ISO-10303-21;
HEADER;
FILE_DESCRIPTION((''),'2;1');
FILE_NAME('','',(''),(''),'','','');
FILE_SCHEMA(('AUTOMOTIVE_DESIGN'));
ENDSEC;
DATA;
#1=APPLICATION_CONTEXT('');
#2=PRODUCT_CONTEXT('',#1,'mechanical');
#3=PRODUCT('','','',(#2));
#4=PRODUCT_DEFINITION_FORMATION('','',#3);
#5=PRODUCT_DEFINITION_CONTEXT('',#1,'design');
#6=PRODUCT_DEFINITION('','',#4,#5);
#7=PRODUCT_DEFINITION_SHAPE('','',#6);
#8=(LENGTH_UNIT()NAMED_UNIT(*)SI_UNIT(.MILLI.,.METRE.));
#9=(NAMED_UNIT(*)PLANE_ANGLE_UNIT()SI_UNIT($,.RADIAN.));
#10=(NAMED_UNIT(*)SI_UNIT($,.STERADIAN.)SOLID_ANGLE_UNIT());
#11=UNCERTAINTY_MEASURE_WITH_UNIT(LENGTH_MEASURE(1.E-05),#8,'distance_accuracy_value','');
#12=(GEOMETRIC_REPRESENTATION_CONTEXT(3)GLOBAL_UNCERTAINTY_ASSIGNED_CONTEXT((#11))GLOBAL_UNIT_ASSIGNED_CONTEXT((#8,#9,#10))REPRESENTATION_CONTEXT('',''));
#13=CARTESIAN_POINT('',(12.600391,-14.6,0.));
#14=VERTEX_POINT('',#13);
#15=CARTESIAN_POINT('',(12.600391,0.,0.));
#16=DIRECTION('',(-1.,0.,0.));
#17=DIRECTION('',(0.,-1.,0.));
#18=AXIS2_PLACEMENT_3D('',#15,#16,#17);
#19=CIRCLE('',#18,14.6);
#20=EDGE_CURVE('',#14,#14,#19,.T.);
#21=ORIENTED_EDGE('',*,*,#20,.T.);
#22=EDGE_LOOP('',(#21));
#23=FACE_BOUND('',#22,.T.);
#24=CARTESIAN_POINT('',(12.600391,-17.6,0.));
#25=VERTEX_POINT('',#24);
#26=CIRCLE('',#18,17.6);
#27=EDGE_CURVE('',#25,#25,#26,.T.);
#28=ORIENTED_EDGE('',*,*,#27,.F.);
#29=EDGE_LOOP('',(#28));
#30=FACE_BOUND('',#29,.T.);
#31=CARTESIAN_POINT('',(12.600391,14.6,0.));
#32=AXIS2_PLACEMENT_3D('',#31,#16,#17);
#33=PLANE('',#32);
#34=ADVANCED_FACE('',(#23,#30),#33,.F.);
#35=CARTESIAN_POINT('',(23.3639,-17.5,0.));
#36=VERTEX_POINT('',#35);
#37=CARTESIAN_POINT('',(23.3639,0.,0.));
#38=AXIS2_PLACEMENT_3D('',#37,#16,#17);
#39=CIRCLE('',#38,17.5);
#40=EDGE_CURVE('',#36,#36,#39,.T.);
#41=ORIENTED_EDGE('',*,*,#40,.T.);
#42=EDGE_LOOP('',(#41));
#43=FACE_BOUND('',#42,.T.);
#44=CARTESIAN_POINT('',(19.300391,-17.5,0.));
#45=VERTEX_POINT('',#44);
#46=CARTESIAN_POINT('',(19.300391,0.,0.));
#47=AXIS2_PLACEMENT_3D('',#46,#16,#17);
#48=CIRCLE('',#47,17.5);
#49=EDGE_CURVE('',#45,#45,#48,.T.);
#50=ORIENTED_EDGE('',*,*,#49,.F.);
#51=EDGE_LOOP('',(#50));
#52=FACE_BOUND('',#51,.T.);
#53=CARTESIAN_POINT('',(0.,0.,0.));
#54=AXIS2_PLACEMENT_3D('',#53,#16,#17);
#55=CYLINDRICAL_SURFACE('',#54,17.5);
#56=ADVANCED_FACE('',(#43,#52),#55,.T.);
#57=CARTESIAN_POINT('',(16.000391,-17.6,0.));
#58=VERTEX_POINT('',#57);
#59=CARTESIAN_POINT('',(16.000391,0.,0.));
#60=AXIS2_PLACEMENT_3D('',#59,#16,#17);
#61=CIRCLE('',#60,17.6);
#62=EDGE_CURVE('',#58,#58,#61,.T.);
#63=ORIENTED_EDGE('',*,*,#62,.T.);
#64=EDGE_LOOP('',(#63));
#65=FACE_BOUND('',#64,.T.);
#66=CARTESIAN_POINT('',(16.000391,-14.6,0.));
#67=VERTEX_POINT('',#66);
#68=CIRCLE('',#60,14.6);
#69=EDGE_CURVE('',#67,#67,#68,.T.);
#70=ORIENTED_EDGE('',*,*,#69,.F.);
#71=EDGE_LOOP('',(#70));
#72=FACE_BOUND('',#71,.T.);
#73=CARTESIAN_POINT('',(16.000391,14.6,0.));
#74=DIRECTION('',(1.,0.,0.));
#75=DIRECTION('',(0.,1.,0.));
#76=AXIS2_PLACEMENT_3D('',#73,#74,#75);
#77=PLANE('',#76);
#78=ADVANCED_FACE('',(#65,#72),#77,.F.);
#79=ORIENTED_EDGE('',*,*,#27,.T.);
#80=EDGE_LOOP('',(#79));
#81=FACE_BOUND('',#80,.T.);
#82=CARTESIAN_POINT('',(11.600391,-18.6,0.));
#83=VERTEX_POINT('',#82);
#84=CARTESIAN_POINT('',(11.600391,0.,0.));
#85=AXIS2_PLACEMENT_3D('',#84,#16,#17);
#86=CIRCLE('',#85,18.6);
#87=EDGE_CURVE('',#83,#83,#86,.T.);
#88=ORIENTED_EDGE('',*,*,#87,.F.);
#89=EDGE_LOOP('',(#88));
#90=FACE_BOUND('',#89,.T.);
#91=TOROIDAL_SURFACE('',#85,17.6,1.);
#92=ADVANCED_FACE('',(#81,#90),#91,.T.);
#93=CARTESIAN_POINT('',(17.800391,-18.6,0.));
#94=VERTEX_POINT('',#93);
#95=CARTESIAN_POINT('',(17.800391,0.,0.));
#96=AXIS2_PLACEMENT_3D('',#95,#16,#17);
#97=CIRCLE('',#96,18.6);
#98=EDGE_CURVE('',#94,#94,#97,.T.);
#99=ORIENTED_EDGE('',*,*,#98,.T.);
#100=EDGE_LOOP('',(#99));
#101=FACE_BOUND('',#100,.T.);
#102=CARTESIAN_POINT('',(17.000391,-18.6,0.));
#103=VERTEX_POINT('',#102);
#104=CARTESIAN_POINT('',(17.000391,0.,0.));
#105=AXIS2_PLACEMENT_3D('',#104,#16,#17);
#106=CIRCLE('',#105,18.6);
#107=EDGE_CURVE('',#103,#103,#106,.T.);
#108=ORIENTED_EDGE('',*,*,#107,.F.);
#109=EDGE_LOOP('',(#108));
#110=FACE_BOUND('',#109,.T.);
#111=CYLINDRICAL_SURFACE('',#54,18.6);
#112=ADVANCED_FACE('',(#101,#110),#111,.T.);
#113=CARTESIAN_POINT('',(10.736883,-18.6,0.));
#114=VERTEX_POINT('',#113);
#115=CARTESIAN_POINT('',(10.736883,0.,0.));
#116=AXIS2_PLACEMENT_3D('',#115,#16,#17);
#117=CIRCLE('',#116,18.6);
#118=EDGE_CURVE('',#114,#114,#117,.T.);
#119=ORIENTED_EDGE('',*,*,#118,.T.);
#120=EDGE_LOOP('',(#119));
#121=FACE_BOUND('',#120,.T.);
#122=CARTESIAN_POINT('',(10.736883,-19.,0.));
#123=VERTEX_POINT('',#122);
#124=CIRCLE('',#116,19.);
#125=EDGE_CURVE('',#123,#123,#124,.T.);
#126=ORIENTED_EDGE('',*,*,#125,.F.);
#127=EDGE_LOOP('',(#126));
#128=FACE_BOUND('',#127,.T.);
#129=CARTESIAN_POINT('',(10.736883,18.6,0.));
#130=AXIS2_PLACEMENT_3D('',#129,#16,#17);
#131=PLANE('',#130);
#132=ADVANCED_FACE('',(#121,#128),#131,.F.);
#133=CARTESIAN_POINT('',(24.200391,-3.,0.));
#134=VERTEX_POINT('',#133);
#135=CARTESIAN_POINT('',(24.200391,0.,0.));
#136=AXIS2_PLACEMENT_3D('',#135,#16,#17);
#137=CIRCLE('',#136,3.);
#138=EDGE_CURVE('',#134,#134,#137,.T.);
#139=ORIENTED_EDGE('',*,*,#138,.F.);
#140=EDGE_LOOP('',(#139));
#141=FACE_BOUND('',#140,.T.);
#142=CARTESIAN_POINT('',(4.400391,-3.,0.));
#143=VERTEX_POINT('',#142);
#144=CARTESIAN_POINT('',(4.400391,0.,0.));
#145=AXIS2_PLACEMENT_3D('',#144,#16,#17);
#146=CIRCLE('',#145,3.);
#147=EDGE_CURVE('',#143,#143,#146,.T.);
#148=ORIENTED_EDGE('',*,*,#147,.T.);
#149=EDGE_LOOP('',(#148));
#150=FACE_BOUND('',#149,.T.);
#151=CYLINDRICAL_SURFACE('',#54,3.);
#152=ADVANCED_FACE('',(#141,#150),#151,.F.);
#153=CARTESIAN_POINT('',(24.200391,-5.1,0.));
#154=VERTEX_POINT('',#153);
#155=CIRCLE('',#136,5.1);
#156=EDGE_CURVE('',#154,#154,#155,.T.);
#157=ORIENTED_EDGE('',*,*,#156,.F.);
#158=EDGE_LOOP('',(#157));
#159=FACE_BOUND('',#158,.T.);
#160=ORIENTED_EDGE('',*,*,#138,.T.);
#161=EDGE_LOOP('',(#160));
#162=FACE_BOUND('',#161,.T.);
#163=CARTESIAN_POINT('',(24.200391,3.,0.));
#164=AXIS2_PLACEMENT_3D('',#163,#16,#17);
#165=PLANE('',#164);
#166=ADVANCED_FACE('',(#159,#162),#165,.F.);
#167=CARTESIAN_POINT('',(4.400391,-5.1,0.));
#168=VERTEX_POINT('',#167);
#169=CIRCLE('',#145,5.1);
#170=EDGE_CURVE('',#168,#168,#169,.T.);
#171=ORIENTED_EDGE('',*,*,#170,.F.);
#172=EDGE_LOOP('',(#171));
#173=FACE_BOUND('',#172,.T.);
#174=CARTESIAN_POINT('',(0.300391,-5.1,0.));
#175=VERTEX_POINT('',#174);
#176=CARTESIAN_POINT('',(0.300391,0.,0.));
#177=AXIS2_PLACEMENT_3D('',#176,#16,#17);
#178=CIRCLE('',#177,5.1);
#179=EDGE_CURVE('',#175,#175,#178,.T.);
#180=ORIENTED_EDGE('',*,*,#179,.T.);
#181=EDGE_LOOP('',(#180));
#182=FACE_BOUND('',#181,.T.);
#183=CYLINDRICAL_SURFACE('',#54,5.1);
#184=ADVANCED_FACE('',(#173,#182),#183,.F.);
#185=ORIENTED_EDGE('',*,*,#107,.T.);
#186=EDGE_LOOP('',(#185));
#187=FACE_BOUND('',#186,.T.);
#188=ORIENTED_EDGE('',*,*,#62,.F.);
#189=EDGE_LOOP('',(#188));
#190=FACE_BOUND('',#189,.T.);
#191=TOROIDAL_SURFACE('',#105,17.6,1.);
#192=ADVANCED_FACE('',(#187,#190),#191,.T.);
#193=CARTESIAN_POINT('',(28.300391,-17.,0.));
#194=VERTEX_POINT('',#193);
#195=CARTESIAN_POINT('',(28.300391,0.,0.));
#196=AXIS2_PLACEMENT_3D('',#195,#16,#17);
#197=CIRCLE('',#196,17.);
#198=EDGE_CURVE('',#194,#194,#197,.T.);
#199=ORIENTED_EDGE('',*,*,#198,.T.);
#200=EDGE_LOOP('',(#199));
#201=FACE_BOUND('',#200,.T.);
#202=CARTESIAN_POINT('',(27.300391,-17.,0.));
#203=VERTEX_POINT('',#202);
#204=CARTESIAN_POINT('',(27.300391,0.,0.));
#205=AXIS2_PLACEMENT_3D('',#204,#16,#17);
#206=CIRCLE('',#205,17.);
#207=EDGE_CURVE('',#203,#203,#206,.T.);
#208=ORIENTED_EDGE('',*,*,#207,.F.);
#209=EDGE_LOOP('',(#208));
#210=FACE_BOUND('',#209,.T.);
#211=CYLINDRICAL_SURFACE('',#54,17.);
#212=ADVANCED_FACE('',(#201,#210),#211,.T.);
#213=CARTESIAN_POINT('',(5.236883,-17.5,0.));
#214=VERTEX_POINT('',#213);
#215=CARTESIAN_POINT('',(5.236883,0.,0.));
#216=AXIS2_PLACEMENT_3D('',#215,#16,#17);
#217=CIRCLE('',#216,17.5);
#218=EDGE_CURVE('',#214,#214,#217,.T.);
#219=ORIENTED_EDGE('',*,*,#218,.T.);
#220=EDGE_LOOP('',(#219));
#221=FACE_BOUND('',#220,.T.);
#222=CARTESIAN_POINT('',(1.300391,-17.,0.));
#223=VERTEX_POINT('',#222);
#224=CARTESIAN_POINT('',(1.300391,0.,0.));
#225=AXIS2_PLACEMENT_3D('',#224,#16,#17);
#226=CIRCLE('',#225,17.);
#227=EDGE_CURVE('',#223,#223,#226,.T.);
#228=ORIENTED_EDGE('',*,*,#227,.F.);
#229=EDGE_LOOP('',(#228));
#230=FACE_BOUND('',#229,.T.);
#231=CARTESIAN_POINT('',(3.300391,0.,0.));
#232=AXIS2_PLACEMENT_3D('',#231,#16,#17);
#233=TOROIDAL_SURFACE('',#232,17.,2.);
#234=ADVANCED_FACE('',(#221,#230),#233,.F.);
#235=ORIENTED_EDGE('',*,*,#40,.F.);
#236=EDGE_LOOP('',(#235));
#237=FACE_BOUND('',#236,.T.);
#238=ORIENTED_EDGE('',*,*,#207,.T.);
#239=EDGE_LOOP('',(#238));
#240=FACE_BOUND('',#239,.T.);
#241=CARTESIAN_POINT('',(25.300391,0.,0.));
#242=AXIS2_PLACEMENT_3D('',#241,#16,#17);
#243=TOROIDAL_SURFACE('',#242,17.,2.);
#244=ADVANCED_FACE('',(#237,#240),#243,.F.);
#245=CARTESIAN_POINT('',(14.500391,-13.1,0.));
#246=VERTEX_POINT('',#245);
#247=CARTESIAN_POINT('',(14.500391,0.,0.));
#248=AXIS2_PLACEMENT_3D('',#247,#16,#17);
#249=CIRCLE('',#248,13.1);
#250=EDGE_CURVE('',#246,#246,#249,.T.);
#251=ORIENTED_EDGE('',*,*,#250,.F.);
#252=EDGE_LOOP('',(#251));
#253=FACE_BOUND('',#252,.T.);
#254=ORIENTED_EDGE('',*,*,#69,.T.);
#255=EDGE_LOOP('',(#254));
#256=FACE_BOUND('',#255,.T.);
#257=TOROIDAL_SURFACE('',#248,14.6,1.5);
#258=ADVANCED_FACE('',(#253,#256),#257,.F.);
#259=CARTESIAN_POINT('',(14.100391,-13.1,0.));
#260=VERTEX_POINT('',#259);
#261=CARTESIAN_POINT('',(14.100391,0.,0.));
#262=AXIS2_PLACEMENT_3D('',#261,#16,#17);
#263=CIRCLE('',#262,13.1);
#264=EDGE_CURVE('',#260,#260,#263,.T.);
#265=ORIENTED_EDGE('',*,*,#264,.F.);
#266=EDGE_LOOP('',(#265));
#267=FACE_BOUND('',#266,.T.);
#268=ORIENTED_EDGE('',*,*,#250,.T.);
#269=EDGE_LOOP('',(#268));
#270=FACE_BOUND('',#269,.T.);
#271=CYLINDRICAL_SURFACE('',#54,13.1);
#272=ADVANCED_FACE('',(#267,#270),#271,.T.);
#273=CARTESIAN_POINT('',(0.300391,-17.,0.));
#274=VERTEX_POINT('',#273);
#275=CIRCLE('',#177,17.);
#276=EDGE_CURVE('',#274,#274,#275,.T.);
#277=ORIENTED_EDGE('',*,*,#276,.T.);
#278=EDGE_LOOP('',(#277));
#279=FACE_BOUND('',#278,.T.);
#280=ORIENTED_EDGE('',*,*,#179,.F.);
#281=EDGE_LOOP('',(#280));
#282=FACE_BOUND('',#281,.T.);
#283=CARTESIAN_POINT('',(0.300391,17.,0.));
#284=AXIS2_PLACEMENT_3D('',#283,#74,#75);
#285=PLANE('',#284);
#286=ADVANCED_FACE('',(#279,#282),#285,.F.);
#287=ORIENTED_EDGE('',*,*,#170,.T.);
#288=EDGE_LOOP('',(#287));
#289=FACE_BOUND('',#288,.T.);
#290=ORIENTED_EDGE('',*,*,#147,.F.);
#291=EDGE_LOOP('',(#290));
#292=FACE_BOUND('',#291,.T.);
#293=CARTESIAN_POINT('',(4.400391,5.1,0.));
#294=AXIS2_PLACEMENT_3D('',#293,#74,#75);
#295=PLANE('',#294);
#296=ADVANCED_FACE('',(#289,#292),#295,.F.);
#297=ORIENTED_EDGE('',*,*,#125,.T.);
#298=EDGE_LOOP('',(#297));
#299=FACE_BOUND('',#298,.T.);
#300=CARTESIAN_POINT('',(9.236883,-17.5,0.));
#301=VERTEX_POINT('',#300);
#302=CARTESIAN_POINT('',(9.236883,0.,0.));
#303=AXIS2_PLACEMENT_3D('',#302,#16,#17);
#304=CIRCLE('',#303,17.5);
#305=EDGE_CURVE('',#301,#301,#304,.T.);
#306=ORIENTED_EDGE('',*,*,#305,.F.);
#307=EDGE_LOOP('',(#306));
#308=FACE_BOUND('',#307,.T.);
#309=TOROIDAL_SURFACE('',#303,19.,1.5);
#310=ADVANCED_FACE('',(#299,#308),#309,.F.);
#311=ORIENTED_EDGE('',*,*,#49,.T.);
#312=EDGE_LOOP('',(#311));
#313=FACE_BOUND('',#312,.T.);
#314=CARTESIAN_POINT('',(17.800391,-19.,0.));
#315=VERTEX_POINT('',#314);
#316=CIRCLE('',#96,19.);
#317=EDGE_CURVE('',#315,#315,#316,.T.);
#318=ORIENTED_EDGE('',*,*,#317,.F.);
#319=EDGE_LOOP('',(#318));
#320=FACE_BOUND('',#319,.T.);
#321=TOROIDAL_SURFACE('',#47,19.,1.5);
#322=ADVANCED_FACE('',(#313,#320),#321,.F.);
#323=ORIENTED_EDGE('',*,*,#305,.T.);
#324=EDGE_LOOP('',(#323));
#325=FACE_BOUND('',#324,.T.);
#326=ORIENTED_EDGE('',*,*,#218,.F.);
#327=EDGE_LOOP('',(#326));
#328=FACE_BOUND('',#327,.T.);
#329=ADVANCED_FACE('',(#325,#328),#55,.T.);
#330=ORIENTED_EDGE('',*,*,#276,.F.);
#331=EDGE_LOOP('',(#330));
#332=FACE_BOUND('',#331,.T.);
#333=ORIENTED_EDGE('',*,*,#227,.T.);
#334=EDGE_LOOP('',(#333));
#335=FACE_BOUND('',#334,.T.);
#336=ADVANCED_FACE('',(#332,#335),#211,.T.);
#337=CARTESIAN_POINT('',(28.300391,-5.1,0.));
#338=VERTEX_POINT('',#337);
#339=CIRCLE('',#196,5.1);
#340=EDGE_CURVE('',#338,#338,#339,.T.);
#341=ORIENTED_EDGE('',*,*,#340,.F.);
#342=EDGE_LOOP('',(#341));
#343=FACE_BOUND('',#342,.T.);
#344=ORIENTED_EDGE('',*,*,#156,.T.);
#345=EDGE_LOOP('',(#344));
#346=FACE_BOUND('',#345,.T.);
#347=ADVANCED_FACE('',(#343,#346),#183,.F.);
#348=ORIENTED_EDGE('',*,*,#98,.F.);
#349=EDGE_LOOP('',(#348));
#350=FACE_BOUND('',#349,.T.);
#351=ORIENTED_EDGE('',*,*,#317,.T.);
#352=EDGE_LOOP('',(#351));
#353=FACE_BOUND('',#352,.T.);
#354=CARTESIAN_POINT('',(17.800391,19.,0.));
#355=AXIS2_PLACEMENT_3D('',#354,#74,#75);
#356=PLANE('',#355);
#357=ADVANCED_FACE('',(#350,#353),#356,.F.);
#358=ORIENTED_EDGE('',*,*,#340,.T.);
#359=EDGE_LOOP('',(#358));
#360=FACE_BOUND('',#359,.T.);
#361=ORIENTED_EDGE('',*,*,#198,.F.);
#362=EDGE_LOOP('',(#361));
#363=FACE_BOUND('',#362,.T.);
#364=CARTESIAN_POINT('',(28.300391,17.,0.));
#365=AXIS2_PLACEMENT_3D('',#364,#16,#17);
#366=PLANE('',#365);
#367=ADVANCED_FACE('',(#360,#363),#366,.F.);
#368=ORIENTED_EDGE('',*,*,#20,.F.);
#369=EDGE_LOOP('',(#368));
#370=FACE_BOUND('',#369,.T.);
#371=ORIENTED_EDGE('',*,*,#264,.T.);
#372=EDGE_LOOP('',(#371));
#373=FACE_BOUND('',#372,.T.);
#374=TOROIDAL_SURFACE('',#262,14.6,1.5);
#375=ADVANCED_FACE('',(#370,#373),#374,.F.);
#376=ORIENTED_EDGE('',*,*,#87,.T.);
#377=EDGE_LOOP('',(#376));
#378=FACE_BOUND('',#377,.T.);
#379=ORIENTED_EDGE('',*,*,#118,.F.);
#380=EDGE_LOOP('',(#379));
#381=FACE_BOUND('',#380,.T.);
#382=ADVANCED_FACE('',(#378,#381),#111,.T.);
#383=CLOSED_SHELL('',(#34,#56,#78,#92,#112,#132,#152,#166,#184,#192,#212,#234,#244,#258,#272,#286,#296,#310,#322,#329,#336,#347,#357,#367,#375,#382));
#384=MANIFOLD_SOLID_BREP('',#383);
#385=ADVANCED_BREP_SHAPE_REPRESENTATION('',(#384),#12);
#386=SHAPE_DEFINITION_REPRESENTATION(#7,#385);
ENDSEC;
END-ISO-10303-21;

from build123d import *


with BuildPart() as part:
    # 草图1 → 旋转1 (revolve)
    with BuildSketch(Plane.XY):
        with BuildLine():
            Line((17.800391272, 19), (17.800391272, 18.6))
            Line((17.800391272, 18.6), (17.000391272, 18.6))
            ThreePointArc((17.000391272, 18.6), (16.293284491, 18.307106781), (16.000391272, 17.6))
            Line((16.000391272, 17.6), (16.000391272, 14.6))
            ThreePointArc((16.000391272, 14.6), (15.561051444, 13.539339828), (14.500391272, 13.1))
            Line((14.500391272, 13.1), (14.100391272, 13.1))
            ThreePointArc((14.100391272, 13.1), (13.0397311, 13.539339828), (12.600391272, 14.6))
            Line((12.600391272, 14.6), (12.600391272, 17.6))
            ThreePointArc((12.600391272, 17.6), (12.307498053, 18.307106781), (11.600391272, 18.6))
            Line((11.600391272, 18.6), (10.736882945, 18.6))
            Line((10.736882945, 18.6), (10.736882945, 19))
            ThreePointArc((10.736882945, 19), (10.297543117, 17.939339828), (9.236882945, 17.5))
            Line((9.236882945, 17.5), (5.236882945, 17.5))
            ThreePointArc((5.236882945, 17.5), (3.552399857, 15.015940607), (1.300391272, 17))
            Line((1.300391272, 17), (0.300391272, 17))
            Line((0.300391272, 17), (0.300391272, 5.1))
            Line((0.300391272, 5.1), (4.400391272, 5.1))
            Line((4.400391272, 5.1), (4.400391272, 3))
            Line((4.400391272, 3), (24.200391272, 3))
            Line((24.200391272, 3), (24.200391272, 5.1))
            Line((24.200391272, 5.1), (28.300391272, 5.1))
            Line((28.300391272, 5.1), (28.300391272, 17))
            Line((28.300391272, 17), (27.300391272, 17))
            ThreePointArc((27.300391272, 17), (25.048382687, 15.015940607), (23.363899599, 17.5))
            Line((23.363899599, 17.5), (19.300391272, 17.5))
            ThreePointArc((19.300391272, 17.5), (18.2397311, 17.939339828), (17.800391272, 19))
        make_face()
    revolve(axis=Axis((0, 0, 0), (1, 0, 0)))


solid = part.part
